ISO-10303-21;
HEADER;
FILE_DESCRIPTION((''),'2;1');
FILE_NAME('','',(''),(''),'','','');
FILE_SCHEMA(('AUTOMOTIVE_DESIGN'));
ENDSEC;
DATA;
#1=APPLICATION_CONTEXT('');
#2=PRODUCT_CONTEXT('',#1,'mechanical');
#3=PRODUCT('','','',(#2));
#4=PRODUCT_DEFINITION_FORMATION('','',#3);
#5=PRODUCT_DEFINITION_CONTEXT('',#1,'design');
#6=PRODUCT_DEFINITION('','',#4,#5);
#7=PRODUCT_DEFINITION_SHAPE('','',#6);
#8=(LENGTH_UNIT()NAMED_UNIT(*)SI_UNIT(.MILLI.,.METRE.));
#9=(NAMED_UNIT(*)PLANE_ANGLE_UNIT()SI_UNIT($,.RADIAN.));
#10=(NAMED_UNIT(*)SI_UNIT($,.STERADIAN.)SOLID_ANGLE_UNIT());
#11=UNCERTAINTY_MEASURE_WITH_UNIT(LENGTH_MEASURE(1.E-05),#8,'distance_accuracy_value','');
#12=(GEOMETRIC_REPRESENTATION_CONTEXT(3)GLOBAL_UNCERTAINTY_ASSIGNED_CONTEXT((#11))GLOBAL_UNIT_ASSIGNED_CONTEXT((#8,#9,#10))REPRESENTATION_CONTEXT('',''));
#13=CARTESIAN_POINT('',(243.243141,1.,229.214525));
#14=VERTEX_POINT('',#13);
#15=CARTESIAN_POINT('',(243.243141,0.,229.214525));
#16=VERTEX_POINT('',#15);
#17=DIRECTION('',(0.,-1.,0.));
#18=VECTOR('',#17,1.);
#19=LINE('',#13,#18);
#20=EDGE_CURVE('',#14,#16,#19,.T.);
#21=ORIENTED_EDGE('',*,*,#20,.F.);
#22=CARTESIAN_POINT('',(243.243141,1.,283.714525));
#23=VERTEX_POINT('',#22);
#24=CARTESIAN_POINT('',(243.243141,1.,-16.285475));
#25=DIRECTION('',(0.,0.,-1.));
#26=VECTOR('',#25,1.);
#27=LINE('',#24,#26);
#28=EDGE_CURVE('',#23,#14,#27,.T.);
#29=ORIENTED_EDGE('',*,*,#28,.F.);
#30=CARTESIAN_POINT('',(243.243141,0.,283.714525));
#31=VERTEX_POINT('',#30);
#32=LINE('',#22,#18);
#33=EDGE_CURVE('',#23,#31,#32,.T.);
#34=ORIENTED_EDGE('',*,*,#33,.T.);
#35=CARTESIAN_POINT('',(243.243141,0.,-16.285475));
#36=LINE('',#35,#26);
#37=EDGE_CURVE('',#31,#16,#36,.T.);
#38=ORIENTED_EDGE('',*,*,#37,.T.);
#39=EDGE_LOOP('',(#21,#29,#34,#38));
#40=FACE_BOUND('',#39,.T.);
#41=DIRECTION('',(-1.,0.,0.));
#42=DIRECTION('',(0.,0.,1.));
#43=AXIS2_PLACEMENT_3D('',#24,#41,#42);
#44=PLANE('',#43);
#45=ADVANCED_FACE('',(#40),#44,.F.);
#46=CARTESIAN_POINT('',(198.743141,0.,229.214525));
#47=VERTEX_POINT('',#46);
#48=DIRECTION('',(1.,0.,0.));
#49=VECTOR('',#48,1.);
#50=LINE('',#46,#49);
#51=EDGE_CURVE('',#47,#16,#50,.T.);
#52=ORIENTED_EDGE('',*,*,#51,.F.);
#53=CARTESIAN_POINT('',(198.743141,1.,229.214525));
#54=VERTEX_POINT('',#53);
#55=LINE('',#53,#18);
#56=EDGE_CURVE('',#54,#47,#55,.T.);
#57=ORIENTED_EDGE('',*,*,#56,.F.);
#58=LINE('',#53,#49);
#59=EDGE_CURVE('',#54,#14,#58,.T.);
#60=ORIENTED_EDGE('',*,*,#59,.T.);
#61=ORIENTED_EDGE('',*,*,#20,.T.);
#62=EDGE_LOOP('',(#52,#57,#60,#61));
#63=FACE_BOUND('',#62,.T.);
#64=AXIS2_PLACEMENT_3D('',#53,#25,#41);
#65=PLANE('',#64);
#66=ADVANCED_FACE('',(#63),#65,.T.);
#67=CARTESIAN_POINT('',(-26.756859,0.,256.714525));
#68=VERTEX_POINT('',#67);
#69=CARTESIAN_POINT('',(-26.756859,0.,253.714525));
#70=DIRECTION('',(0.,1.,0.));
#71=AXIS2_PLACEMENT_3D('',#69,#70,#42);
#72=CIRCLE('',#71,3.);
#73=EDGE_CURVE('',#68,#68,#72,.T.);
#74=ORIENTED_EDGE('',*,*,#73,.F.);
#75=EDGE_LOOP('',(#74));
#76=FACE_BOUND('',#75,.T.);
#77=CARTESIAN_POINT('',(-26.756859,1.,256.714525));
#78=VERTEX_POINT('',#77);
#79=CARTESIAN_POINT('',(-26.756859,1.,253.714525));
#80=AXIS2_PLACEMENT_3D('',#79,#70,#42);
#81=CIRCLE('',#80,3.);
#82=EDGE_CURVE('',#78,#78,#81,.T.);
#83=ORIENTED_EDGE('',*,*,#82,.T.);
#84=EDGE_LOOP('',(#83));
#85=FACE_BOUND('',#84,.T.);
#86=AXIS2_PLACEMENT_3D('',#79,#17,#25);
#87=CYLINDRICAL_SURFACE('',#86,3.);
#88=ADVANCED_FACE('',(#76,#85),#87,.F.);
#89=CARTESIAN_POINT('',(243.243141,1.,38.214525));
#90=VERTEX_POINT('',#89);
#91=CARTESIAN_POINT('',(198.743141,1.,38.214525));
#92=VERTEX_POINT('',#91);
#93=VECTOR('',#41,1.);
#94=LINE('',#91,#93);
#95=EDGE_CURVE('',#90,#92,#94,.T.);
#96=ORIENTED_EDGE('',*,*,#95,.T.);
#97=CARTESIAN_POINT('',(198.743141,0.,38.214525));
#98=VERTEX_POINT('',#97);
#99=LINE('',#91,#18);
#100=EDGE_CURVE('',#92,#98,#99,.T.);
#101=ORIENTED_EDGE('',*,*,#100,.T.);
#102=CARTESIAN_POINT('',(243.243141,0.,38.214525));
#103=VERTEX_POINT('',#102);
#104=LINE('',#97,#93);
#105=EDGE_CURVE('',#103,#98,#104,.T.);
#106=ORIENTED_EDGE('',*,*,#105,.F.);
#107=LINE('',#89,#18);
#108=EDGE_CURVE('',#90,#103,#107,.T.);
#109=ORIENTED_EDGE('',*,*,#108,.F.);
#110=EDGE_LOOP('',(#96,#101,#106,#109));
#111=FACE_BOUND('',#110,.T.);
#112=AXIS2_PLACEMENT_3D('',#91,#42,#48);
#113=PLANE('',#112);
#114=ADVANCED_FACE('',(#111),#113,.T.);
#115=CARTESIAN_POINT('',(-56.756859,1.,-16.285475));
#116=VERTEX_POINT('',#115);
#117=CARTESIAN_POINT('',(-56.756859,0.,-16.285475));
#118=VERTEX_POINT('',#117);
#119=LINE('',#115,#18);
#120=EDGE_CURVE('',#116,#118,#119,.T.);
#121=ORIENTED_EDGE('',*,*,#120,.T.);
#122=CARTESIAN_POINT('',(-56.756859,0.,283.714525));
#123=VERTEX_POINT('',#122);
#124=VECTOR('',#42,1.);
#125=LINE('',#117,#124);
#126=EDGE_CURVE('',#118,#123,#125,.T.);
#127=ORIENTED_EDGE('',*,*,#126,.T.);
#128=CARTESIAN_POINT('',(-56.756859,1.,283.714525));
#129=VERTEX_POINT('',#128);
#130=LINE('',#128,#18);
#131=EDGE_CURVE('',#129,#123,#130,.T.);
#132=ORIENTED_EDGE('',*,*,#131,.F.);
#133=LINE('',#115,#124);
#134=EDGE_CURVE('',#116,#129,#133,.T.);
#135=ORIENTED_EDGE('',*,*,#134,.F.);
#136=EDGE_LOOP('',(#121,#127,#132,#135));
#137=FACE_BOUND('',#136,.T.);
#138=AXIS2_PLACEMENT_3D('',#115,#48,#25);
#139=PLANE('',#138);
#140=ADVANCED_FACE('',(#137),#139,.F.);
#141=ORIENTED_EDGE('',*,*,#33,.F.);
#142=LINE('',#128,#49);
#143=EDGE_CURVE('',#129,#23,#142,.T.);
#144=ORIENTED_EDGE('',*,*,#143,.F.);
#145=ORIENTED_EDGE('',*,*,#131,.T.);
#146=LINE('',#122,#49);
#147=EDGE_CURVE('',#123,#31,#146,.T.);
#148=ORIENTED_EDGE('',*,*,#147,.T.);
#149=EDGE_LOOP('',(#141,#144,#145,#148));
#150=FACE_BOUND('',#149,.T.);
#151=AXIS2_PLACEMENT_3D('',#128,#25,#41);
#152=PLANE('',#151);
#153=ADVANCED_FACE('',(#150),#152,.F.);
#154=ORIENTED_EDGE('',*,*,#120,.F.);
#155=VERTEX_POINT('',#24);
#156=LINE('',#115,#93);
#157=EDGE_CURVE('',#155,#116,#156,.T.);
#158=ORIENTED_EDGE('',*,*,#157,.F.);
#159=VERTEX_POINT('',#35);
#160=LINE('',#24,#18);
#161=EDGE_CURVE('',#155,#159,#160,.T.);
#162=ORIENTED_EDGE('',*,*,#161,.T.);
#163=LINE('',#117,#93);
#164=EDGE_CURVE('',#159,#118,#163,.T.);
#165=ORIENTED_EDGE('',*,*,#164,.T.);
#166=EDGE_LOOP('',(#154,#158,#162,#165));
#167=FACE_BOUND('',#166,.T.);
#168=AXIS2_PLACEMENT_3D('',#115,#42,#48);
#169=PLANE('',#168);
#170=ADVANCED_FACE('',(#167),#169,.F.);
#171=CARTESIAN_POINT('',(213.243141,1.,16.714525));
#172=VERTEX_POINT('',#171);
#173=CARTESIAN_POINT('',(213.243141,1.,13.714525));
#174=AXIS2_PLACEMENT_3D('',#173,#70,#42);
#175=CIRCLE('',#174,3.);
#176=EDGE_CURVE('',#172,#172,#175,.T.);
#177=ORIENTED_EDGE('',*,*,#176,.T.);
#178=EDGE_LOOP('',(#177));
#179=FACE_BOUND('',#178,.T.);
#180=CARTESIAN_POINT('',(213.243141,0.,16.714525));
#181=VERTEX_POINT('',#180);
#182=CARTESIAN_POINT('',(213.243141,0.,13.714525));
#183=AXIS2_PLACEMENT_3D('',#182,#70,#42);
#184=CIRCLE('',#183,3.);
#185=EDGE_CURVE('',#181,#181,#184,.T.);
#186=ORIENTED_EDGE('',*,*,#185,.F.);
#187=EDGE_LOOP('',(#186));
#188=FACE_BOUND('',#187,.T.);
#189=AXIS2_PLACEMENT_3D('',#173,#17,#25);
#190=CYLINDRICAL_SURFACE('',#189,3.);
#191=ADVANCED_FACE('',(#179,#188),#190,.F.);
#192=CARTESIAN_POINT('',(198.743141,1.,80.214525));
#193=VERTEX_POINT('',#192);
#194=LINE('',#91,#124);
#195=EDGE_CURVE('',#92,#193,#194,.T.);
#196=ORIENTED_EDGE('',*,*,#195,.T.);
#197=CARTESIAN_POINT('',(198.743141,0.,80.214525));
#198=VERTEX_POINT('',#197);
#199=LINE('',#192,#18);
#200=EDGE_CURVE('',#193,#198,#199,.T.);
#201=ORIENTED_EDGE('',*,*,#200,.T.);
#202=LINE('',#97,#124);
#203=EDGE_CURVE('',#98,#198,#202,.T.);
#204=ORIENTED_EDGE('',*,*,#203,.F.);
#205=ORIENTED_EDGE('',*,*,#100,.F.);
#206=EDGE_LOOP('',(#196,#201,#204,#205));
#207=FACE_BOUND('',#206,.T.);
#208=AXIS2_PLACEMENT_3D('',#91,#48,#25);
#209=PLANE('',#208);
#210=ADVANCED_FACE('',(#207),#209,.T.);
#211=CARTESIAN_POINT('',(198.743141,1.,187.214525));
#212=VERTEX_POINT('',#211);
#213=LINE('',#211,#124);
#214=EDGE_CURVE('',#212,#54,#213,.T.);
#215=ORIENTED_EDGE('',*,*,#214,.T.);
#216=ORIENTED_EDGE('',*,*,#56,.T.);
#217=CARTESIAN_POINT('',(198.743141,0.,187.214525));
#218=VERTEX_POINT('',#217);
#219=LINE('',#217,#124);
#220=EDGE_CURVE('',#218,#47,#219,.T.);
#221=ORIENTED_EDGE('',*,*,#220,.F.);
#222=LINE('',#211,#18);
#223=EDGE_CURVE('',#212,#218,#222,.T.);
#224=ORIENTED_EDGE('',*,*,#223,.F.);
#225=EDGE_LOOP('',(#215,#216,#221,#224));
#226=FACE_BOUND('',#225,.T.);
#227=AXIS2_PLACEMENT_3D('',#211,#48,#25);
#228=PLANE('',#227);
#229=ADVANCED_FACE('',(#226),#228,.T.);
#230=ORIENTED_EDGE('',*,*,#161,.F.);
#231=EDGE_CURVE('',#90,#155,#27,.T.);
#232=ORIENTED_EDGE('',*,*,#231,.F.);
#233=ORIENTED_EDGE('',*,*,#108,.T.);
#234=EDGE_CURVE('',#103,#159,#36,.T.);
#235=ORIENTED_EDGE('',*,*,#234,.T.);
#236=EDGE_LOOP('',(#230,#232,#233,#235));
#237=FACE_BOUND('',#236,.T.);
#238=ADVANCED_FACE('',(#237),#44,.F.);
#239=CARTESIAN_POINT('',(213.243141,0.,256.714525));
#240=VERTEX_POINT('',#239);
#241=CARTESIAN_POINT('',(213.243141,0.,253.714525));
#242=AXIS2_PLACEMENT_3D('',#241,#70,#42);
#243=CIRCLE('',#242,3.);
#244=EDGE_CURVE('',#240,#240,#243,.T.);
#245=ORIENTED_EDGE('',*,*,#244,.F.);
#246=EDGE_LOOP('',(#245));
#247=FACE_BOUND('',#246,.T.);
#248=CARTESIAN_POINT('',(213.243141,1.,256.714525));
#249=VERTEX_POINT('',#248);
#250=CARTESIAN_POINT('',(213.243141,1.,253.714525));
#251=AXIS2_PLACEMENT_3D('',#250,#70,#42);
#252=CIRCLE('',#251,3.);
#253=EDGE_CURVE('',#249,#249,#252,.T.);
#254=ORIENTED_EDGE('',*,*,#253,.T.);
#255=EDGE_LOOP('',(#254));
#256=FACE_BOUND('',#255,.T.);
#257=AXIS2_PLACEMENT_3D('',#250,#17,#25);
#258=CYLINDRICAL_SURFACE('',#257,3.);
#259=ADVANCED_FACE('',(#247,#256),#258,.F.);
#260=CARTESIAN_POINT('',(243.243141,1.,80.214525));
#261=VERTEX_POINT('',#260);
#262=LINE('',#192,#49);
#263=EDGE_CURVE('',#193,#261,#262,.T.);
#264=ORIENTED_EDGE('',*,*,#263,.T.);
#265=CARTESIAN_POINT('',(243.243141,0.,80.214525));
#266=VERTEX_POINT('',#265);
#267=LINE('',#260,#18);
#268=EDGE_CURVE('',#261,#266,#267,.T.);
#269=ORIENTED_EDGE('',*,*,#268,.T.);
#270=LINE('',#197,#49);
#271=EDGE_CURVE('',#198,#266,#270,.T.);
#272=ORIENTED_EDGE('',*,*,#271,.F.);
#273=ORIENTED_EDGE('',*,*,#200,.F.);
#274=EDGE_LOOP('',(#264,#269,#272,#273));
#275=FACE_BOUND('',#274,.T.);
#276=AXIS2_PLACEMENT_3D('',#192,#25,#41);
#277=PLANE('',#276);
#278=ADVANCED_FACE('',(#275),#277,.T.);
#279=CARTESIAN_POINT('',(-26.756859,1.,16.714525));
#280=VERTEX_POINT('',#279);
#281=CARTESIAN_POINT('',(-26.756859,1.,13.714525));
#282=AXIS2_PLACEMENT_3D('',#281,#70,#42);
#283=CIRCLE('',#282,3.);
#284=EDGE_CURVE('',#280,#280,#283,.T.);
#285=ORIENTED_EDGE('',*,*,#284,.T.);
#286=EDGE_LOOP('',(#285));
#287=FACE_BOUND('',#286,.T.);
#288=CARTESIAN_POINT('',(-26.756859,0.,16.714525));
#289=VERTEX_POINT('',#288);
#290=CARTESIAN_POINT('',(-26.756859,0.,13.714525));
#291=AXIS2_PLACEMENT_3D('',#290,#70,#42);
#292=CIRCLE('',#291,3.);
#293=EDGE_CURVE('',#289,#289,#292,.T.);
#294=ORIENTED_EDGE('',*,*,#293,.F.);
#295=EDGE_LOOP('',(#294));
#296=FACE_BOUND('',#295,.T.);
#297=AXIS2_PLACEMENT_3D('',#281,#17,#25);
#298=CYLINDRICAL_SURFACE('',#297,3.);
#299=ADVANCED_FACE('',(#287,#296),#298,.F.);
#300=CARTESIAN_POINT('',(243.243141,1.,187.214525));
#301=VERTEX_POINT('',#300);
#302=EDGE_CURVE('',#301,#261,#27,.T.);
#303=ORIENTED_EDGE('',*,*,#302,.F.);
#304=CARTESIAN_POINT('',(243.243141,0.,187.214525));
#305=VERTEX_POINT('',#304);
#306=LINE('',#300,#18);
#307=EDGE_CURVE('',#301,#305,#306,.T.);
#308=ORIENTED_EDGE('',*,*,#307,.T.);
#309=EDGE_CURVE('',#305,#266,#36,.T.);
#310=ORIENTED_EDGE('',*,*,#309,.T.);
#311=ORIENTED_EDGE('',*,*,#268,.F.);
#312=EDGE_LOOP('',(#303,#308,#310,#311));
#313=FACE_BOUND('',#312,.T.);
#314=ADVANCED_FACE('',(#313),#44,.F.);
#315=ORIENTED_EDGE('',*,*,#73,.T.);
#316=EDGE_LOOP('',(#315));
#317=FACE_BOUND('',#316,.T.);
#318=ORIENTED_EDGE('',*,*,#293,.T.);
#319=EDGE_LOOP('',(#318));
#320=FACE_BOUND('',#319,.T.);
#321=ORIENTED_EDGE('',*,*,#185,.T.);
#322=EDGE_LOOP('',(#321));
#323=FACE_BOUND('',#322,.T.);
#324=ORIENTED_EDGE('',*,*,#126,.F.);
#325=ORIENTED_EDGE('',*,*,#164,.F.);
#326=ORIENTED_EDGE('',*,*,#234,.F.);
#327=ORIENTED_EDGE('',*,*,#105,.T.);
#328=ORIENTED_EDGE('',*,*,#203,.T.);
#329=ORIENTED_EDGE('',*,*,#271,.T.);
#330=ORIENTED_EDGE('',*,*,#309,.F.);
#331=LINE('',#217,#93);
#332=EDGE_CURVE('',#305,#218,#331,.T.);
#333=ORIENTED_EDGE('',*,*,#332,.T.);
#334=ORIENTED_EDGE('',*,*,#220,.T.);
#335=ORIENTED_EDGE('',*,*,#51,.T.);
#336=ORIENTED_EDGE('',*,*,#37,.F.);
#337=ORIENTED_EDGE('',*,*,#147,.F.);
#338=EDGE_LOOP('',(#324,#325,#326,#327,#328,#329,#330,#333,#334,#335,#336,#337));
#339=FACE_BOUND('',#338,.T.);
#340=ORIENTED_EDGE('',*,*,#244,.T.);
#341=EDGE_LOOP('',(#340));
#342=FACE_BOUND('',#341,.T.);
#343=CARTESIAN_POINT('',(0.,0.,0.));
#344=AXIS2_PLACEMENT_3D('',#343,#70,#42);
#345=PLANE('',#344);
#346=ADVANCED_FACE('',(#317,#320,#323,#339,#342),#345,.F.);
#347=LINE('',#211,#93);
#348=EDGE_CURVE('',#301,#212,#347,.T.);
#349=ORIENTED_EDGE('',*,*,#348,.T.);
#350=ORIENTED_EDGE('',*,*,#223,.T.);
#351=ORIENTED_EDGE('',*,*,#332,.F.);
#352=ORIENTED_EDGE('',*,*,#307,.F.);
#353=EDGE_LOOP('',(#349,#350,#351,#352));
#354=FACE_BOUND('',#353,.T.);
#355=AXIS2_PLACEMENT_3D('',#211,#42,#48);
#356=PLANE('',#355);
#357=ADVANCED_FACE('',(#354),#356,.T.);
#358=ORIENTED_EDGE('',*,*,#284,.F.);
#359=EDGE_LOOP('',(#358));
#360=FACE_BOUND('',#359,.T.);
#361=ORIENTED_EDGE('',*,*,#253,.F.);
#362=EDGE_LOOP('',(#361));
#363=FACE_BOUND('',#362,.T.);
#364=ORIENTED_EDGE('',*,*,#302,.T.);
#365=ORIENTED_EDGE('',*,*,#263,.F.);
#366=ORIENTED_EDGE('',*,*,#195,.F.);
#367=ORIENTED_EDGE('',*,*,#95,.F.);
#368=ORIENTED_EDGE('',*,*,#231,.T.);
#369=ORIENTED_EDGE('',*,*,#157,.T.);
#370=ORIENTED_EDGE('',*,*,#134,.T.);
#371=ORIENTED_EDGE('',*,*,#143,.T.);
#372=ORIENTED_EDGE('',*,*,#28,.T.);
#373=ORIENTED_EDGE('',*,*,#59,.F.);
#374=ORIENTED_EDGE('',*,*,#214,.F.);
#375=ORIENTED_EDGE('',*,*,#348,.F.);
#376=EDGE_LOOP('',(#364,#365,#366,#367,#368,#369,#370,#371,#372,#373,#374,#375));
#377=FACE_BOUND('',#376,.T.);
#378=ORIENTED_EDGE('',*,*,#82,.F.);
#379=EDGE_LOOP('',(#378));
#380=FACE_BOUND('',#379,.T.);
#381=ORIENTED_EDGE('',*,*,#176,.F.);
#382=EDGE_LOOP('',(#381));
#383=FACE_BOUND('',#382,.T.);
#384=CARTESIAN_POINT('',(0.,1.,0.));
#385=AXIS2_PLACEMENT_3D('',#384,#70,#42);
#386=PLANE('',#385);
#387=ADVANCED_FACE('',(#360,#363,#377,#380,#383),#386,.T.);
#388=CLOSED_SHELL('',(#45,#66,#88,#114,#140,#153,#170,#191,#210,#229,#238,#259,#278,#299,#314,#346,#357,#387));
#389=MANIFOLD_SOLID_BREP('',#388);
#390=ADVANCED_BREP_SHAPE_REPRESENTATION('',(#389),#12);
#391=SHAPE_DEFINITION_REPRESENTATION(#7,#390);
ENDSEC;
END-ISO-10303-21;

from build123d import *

# Parameters (mm, degrees)
SKETCH_1_W          = 300
SKETCH_1_H          = 300
EXTRUDE_1_DEPTH     = 1
SKETCH_2_R          = 3
CUT_EXTRUDE_2_DEPTH = 374.714004721
SKETCH_3_W          = 44.5
SKETCH_3_H          = 42
CUT_EXTRUDE_4_DEPTH = 374.714004721


with BuildPart() as part:
    # 草图1 → 凸台-拉伸1 (new body)
    with BuildSketch(Plane(origin=(0, 0, 0), x_dir=(1, 0, 0), z_dir=(0, 1, 0))):
        with Locations((93.243141409, -133.714524624)):
            Rectangle(SKETCH_1_W, SKETCH_1_H)
    extrude(amount=EXTRUDE_1_DEPTH)

    # 草图2 → 切除-拉伸2 (cut, through all)
    with BuildSketch(Plane(origin=(0, 0, 0), x_dir=(1, 0, 0), z_dir=(0, 1, 0))):
        with Locations(Location((-26.756858591, -13.714524624, 0), (0, 0, 270))):
            Circle(SKETCH_2_R)
        with Locations(Location((213.243141409, -13.714524624, 0), (0, 0, 270))):
            Circle(SKETCH_2_R)
        with Locations(Location((213.243141409, -253.714524624, 0), (0, 0, 270))):
            Circle(SKETCH_2_R)
        with Locations(Location((-26.756858591, -253.714524624, 0), (0, 0, 270))):
            Circle(SKETCH_2_R)
    extrude(amount=CUT_EXTRUDE_2_DEPTH, mode=Mode.SUBTRACT)

    # 草图3 → 切除-拉伸4 (cut, through all)
    with BuildSketch(Plane(origin=(0, 0, 0), x_dir=(1, 0, 0), z_dir=(0, 1, 0))):
        with Locations((220.993141409, -208.214524624)):
            Rectangle(SKETCH_3_W, SKETCH_3_H)
        with Locations((220.993141409, -59.214524624)):
            Rectangle(SKETCH_3_W, SKETCH_3_H)
    extrude(amount=CUT_EXTRUDE_4_DEPTH, mode=Mode.SUBTRACT)


solid = part.part
